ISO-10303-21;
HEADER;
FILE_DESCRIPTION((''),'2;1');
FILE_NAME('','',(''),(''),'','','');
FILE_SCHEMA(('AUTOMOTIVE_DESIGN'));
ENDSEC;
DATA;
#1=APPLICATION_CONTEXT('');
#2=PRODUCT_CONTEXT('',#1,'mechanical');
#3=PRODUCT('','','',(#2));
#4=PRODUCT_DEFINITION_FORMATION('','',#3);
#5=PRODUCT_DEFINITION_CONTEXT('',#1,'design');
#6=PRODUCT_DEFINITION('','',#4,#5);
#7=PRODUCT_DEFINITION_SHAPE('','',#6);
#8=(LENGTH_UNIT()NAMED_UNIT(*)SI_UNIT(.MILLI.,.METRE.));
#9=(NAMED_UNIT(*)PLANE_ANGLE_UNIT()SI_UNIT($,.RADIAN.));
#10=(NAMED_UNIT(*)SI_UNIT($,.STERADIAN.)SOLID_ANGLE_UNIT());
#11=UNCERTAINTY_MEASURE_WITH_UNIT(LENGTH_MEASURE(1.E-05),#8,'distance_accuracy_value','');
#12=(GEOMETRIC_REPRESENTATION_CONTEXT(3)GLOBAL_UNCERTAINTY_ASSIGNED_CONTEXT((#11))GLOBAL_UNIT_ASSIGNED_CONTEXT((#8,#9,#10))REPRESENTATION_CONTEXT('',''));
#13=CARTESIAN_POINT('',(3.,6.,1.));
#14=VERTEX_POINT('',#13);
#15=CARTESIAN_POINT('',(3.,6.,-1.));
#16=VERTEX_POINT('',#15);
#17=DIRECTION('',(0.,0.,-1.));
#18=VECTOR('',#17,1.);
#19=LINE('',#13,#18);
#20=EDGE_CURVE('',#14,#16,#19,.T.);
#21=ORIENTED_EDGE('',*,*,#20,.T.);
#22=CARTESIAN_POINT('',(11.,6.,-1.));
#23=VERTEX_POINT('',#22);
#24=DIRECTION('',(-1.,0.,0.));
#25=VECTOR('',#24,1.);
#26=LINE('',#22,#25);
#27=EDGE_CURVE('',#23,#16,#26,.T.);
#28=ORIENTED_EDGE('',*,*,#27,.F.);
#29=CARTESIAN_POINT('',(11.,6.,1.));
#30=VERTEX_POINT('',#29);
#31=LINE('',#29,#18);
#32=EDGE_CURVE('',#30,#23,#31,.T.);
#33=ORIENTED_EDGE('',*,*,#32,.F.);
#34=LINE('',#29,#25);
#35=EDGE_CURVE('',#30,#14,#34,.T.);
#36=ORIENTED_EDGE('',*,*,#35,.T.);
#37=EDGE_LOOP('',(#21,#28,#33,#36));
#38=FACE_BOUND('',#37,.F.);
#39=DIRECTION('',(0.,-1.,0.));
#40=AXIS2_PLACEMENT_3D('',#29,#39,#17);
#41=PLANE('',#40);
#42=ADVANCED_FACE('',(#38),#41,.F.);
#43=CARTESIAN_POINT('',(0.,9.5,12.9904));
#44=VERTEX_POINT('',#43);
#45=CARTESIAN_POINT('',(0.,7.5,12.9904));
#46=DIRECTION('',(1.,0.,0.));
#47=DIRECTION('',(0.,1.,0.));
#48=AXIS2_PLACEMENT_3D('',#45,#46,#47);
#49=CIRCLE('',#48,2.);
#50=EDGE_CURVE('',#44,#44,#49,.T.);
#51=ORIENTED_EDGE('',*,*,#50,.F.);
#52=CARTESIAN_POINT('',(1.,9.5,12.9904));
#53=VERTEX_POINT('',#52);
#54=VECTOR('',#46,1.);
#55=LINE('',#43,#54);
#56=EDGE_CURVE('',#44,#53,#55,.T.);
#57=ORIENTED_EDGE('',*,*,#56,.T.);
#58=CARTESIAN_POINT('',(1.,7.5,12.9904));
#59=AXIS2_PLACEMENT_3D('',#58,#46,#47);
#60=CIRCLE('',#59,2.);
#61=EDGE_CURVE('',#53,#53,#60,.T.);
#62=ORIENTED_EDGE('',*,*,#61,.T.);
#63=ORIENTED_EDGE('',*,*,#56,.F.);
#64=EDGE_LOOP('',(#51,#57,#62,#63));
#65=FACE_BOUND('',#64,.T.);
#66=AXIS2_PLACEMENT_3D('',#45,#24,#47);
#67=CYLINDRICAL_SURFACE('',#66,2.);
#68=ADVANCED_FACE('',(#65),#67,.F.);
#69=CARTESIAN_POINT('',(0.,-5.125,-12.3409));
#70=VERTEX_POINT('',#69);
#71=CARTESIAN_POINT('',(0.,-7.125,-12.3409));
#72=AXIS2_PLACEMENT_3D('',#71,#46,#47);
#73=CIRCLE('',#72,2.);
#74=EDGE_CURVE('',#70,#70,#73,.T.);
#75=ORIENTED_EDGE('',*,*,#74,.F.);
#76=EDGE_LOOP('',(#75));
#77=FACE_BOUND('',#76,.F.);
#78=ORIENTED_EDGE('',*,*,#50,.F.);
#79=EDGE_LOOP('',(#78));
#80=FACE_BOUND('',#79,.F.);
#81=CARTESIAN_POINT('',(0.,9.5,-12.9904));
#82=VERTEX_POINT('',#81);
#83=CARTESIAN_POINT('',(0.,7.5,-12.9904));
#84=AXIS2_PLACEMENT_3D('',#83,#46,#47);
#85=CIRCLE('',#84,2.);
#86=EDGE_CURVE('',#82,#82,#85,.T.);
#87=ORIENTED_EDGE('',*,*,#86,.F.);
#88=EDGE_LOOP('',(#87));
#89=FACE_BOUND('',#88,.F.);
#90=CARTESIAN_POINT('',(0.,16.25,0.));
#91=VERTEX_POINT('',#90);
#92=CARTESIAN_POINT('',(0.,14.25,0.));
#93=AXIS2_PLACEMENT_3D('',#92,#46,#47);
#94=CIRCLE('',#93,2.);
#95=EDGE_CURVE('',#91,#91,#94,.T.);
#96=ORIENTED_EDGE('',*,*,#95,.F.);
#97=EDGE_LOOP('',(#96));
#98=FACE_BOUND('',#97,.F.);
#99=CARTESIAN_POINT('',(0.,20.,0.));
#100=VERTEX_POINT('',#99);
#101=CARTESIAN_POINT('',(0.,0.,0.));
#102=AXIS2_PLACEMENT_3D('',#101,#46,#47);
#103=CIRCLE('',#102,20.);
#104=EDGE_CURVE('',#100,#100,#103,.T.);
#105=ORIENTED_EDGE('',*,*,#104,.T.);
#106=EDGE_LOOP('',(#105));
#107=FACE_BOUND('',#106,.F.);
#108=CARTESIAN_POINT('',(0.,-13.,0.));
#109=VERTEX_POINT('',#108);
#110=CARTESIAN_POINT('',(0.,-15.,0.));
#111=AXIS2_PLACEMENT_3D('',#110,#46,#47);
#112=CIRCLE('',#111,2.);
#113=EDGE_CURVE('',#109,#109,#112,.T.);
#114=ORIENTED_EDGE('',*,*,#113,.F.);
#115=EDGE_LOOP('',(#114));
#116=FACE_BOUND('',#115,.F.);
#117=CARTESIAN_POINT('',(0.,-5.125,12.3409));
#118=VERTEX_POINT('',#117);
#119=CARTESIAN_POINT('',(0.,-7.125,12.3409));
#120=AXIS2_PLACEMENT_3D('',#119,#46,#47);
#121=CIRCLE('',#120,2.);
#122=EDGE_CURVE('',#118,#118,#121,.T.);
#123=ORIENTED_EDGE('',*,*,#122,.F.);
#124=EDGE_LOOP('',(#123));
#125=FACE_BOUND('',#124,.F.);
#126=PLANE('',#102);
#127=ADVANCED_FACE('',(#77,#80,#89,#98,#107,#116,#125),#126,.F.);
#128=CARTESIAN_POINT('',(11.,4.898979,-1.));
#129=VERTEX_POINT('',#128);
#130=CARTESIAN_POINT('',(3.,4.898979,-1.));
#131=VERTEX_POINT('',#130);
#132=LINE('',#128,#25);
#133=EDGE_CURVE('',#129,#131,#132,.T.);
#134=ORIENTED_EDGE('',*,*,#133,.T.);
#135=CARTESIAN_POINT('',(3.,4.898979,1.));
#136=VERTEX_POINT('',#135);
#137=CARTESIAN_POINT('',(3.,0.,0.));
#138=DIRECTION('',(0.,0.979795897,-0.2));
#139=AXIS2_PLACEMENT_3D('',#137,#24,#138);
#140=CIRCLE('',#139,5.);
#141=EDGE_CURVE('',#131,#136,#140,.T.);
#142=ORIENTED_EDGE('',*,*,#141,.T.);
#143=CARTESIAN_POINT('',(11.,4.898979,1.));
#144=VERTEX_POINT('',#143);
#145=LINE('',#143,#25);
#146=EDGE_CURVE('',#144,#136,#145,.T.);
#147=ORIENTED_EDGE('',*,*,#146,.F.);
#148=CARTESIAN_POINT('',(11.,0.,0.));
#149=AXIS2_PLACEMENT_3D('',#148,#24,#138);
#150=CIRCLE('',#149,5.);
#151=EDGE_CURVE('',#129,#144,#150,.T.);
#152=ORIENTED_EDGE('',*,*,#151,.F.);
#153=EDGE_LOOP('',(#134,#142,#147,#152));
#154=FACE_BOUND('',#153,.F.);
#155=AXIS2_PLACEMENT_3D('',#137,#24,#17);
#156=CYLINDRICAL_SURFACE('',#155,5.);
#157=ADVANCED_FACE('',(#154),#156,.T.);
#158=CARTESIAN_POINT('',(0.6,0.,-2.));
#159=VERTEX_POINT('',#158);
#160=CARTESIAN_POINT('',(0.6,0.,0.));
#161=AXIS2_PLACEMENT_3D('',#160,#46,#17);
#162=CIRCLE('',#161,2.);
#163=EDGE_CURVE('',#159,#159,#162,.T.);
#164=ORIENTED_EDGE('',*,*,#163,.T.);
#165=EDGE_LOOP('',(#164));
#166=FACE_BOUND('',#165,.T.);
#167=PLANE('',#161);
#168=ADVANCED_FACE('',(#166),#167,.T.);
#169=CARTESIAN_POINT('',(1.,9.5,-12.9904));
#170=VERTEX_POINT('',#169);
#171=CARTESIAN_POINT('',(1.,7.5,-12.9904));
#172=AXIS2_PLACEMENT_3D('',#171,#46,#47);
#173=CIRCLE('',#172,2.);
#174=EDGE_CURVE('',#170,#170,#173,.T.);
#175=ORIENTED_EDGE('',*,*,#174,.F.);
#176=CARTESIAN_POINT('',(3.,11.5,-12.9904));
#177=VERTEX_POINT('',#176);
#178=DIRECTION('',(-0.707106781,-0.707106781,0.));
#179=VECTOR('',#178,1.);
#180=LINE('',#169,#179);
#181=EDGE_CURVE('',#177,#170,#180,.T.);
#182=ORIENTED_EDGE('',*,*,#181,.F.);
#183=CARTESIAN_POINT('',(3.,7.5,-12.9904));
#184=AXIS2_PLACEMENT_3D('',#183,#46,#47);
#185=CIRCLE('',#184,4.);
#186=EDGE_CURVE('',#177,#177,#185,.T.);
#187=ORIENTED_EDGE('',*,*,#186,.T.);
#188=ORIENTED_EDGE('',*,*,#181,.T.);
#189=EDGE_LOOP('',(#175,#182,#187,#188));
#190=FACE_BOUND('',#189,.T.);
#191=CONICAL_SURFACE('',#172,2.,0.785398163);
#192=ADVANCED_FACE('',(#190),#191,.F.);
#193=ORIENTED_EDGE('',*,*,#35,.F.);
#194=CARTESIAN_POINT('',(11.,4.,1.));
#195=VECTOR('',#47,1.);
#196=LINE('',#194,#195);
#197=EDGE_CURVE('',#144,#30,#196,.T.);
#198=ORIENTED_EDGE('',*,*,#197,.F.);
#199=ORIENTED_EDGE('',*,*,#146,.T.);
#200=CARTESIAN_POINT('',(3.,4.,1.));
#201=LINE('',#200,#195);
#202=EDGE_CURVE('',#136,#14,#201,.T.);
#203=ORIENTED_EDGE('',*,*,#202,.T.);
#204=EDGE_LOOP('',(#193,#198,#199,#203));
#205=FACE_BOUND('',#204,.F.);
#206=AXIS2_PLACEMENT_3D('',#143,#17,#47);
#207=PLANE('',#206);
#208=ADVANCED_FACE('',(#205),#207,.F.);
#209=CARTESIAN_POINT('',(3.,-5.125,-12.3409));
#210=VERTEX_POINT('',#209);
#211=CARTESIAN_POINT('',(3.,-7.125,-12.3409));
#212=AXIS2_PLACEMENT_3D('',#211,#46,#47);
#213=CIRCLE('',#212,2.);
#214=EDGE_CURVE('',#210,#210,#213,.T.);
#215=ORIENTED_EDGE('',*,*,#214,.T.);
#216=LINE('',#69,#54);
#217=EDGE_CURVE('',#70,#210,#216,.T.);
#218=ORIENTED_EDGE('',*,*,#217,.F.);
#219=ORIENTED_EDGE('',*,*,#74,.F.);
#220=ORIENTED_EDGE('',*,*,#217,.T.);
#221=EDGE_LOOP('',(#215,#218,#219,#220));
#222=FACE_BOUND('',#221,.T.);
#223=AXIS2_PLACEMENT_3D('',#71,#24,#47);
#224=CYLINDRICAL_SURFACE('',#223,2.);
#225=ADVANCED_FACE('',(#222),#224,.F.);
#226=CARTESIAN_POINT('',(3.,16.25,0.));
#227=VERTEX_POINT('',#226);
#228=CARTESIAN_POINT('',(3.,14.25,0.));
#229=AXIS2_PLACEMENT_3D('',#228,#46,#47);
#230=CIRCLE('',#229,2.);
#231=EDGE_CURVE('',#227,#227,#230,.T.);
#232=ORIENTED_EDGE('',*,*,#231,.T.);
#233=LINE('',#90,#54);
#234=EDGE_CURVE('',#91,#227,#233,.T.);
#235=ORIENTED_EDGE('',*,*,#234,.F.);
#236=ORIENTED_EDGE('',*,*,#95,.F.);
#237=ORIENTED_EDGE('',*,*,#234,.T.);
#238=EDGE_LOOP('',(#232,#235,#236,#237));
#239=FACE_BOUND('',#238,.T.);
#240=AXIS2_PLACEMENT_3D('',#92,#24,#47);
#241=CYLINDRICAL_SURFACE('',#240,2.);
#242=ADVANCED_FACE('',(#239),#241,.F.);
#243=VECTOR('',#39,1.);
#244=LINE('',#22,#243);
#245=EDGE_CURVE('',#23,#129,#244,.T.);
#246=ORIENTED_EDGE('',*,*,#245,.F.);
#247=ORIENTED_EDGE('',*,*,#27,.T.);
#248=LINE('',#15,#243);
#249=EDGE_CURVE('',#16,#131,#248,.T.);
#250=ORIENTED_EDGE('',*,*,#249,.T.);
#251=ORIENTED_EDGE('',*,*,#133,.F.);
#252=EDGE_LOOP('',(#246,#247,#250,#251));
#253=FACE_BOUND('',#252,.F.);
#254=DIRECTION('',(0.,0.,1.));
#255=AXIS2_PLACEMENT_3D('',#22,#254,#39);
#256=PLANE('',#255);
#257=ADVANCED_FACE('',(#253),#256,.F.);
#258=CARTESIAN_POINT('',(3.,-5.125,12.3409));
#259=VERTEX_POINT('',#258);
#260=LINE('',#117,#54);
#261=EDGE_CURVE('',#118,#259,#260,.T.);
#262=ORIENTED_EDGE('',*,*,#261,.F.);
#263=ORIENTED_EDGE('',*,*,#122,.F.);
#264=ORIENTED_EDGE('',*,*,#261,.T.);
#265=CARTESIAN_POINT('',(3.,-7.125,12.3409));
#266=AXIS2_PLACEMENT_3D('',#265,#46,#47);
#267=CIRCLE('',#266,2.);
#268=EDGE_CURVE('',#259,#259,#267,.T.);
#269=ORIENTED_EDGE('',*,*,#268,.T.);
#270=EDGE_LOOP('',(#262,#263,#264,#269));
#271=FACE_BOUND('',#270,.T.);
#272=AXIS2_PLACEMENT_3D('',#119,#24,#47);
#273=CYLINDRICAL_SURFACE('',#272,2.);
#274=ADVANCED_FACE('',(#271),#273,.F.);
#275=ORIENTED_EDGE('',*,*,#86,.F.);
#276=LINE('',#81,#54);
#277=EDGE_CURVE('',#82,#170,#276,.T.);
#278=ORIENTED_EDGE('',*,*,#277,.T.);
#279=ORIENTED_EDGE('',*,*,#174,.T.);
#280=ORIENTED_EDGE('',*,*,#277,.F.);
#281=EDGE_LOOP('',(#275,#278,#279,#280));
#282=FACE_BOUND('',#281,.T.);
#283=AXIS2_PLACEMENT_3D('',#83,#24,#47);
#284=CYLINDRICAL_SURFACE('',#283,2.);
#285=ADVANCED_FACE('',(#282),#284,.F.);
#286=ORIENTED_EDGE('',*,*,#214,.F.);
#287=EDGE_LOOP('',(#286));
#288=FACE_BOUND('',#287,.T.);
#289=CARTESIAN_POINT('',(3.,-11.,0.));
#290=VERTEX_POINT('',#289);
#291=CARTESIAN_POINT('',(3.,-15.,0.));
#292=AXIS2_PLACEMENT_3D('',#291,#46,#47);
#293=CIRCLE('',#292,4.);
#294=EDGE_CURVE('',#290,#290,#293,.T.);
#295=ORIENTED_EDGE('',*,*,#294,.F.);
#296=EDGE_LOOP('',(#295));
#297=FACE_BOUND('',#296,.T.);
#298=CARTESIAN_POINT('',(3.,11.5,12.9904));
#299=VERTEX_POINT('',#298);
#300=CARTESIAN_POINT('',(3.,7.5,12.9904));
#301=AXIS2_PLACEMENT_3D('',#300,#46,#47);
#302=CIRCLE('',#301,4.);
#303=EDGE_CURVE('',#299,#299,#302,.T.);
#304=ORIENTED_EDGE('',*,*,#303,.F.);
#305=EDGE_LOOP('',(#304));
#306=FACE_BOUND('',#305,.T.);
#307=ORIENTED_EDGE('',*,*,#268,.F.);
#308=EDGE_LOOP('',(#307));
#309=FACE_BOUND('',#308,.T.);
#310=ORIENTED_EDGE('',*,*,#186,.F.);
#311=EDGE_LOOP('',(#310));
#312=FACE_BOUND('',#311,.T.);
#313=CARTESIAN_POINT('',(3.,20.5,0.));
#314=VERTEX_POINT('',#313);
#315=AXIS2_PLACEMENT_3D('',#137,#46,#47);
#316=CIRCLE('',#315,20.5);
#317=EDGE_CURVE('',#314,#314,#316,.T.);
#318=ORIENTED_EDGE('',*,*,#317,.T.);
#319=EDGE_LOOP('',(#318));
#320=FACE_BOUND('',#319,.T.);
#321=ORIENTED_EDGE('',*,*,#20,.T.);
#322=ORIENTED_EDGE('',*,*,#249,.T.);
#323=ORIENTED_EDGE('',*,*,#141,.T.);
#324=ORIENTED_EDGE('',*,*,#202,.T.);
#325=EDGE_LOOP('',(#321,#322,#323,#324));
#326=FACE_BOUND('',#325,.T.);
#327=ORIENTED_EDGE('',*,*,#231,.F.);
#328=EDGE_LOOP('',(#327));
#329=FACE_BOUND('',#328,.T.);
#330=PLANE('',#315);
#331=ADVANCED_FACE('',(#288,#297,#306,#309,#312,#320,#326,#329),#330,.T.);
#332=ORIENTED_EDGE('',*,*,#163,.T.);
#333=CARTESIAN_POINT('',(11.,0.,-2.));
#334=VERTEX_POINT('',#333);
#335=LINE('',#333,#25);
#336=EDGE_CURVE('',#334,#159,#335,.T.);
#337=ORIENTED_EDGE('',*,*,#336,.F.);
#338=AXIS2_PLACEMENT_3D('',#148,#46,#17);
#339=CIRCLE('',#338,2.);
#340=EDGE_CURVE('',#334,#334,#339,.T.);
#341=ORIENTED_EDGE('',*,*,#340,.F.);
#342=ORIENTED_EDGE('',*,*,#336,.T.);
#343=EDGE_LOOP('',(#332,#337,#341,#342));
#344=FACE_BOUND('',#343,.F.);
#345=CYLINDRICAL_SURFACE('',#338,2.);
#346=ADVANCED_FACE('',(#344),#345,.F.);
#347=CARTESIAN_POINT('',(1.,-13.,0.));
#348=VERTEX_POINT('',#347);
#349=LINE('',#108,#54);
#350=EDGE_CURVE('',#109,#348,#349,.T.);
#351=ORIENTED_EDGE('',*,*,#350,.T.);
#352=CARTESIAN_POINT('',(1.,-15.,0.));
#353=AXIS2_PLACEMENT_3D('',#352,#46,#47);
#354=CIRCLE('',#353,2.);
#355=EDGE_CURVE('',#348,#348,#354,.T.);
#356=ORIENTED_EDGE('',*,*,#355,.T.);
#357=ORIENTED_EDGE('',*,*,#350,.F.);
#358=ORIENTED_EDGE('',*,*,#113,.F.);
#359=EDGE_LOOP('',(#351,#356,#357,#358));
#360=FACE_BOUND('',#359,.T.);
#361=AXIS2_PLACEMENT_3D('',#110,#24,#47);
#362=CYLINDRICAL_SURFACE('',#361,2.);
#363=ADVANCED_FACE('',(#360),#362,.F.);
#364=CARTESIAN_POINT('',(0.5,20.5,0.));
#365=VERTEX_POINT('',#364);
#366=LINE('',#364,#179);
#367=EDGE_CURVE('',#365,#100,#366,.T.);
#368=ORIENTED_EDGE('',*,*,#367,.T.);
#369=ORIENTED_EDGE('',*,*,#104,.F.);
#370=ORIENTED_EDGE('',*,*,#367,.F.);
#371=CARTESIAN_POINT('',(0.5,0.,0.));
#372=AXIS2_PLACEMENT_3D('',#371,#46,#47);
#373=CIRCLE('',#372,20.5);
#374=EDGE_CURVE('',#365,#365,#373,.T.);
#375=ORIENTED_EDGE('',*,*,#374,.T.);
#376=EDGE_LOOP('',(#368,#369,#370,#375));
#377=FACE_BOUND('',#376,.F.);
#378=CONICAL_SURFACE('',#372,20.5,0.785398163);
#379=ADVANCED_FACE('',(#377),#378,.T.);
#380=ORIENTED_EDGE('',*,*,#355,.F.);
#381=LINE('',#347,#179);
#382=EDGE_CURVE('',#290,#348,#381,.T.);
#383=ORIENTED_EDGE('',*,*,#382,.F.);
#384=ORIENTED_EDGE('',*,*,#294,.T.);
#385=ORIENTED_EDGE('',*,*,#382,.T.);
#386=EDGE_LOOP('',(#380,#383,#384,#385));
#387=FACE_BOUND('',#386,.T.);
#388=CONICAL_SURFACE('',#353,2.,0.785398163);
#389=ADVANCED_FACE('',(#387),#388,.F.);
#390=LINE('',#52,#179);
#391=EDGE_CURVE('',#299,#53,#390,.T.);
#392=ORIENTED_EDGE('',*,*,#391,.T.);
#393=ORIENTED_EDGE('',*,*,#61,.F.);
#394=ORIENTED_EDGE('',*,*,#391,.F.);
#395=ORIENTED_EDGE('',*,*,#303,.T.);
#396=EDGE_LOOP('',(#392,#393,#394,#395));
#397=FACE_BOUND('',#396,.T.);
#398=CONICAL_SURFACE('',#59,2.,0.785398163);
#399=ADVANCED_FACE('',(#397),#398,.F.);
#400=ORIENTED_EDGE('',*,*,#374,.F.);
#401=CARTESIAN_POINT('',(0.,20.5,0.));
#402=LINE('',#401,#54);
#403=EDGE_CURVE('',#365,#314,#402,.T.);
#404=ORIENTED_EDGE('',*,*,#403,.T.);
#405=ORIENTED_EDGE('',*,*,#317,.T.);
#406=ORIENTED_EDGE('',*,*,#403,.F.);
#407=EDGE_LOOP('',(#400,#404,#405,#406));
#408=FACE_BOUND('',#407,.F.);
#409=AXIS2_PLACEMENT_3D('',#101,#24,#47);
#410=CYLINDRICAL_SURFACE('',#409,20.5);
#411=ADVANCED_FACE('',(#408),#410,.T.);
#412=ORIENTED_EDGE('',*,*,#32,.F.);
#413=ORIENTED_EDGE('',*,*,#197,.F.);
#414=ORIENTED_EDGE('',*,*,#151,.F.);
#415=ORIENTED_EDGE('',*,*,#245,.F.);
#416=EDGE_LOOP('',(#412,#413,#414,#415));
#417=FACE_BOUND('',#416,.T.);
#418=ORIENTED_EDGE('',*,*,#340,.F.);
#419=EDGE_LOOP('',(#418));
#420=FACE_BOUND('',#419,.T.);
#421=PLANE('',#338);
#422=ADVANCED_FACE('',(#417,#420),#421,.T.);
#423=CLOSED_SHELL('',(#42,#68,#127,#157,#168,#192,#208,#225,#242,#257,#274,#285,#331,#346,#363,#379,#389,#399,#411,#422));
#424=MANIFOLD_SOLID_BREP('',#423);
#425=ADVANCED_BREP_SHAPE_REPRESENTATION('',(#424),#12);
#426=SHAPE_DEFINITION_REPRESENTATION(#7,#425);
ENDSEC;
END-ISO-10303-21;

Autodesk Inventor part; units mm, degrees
ref_plane "YZ Plane" through (0, 0, 0) normal (1, 0, 0) x (0, 1, 0)
ref_plane "XZ Plane" through (0, 0, 0) normal (0, 1, 0) x (-1, 0, 0)
ref_plane "XY Plane" through (0, 0, 0) normal (0, 0, 1) x (1, 0, 0)
sketch "Sketch1" plane through (0, 0, 0) normal (1, 0, 0) x (0, 1, 0)
  circle A0 centre (0, 0) radius 20.5
  circle A1 centre (0, 0) radius 15 construction
  line L0 (0, 0) -> (16.0369, -27.7767) construction
  line L1 (16.0369, -27.7767) -> (16.0369, 0) construction
  line L2 (16.0369, 0) -> (0, 0) construction
  circle A2 centre (0, 0) radius 14.25 construction
  line L3 (0, 0) -> (-15.2425, -26.4009) construction
  line L4 (-15.2425, -26.4009) -> (-20.5, 0) construction
  line L5 (0, 0) -> (-20.5, 0) construction
  circle A3 centre (7.5, -12.9904) radius 2
  circle A4 centre (7.5, 12.9904) radius 2
  circle A5 centre (-15, 0) radius 2
  circle A6 centre (14.25, 0) radius 2
  circle A7 centre (-7.125, 12.3409) radius 2
  circle A8 centre (-7.125, -12.3409) radius 2
  dimension "d0" = 41
  dimension "d1" = 30
  dimension "d16" = 28.5
  dimension "d15" = 60
  dimension "d22" = 60
  dimension "d28" = 4
  dimension "d31" = 360
  dimension "d33" = 4
  dimension "d36" = 360
extrude "Extrusion1" add sketch "Sketch1" along normal blind 3
chamfer "Chamfer2" distance 0.5 angle 45 1 edges at (0, -20.5, 0)
chamfer "Chamfer3" distance 2 angle 45 3 edges at (3, 5.5, -12.9904) (3, -17, 0) (3, 5.5, 12.9904)
sketch "Sketch5" plane through (3, 0, 0) normal (1, 0, 0) x (0, 0, -1)
  circle A0 centre (0, 0) radius 5
  dimension "d44" = 10
extrude "Extrusion3" add sketch "Sketch5" along normal blind 8
sketch "Sketch6" plane through (11, 0, 0) normal (1, 0, 0) x (0, 0, -1)
  line L0 (-1, 4) -> (-1, 6)
  line L1 (-1, 6) -> (1, 6)
  line L2 (1, 6) -> (1, 4)
  line L3 (1, 4) -> (-1, 4)
  circle A0 centre (0, 0) radius 5 projected
  line L4 (-1, 4) -> (1, 6) construction
  line L5 (-1, 6) -> (1, 4) construction
  point P0 (0, 5)
  point P1 (-1, 4.899)
  point P2 (1, 4.899)
  dimension "d47" = 2
  dimension "d48" = 2
extrude "Extrusion4" add sketch "Sketch6" against normal blind 8 contours L0 L1 L2 A0
sketch "Sketch7" plane through (11, 0, 0) normal (1, 0, 0) x (0, 0, -1)
  circle A0 centre (0, 0) radius 2
  dimension "d51" = 4
extrude "Extrusion5" cut sketch "Sketch7" against normal blind 10.4
properties part number "small_gear_connector"
